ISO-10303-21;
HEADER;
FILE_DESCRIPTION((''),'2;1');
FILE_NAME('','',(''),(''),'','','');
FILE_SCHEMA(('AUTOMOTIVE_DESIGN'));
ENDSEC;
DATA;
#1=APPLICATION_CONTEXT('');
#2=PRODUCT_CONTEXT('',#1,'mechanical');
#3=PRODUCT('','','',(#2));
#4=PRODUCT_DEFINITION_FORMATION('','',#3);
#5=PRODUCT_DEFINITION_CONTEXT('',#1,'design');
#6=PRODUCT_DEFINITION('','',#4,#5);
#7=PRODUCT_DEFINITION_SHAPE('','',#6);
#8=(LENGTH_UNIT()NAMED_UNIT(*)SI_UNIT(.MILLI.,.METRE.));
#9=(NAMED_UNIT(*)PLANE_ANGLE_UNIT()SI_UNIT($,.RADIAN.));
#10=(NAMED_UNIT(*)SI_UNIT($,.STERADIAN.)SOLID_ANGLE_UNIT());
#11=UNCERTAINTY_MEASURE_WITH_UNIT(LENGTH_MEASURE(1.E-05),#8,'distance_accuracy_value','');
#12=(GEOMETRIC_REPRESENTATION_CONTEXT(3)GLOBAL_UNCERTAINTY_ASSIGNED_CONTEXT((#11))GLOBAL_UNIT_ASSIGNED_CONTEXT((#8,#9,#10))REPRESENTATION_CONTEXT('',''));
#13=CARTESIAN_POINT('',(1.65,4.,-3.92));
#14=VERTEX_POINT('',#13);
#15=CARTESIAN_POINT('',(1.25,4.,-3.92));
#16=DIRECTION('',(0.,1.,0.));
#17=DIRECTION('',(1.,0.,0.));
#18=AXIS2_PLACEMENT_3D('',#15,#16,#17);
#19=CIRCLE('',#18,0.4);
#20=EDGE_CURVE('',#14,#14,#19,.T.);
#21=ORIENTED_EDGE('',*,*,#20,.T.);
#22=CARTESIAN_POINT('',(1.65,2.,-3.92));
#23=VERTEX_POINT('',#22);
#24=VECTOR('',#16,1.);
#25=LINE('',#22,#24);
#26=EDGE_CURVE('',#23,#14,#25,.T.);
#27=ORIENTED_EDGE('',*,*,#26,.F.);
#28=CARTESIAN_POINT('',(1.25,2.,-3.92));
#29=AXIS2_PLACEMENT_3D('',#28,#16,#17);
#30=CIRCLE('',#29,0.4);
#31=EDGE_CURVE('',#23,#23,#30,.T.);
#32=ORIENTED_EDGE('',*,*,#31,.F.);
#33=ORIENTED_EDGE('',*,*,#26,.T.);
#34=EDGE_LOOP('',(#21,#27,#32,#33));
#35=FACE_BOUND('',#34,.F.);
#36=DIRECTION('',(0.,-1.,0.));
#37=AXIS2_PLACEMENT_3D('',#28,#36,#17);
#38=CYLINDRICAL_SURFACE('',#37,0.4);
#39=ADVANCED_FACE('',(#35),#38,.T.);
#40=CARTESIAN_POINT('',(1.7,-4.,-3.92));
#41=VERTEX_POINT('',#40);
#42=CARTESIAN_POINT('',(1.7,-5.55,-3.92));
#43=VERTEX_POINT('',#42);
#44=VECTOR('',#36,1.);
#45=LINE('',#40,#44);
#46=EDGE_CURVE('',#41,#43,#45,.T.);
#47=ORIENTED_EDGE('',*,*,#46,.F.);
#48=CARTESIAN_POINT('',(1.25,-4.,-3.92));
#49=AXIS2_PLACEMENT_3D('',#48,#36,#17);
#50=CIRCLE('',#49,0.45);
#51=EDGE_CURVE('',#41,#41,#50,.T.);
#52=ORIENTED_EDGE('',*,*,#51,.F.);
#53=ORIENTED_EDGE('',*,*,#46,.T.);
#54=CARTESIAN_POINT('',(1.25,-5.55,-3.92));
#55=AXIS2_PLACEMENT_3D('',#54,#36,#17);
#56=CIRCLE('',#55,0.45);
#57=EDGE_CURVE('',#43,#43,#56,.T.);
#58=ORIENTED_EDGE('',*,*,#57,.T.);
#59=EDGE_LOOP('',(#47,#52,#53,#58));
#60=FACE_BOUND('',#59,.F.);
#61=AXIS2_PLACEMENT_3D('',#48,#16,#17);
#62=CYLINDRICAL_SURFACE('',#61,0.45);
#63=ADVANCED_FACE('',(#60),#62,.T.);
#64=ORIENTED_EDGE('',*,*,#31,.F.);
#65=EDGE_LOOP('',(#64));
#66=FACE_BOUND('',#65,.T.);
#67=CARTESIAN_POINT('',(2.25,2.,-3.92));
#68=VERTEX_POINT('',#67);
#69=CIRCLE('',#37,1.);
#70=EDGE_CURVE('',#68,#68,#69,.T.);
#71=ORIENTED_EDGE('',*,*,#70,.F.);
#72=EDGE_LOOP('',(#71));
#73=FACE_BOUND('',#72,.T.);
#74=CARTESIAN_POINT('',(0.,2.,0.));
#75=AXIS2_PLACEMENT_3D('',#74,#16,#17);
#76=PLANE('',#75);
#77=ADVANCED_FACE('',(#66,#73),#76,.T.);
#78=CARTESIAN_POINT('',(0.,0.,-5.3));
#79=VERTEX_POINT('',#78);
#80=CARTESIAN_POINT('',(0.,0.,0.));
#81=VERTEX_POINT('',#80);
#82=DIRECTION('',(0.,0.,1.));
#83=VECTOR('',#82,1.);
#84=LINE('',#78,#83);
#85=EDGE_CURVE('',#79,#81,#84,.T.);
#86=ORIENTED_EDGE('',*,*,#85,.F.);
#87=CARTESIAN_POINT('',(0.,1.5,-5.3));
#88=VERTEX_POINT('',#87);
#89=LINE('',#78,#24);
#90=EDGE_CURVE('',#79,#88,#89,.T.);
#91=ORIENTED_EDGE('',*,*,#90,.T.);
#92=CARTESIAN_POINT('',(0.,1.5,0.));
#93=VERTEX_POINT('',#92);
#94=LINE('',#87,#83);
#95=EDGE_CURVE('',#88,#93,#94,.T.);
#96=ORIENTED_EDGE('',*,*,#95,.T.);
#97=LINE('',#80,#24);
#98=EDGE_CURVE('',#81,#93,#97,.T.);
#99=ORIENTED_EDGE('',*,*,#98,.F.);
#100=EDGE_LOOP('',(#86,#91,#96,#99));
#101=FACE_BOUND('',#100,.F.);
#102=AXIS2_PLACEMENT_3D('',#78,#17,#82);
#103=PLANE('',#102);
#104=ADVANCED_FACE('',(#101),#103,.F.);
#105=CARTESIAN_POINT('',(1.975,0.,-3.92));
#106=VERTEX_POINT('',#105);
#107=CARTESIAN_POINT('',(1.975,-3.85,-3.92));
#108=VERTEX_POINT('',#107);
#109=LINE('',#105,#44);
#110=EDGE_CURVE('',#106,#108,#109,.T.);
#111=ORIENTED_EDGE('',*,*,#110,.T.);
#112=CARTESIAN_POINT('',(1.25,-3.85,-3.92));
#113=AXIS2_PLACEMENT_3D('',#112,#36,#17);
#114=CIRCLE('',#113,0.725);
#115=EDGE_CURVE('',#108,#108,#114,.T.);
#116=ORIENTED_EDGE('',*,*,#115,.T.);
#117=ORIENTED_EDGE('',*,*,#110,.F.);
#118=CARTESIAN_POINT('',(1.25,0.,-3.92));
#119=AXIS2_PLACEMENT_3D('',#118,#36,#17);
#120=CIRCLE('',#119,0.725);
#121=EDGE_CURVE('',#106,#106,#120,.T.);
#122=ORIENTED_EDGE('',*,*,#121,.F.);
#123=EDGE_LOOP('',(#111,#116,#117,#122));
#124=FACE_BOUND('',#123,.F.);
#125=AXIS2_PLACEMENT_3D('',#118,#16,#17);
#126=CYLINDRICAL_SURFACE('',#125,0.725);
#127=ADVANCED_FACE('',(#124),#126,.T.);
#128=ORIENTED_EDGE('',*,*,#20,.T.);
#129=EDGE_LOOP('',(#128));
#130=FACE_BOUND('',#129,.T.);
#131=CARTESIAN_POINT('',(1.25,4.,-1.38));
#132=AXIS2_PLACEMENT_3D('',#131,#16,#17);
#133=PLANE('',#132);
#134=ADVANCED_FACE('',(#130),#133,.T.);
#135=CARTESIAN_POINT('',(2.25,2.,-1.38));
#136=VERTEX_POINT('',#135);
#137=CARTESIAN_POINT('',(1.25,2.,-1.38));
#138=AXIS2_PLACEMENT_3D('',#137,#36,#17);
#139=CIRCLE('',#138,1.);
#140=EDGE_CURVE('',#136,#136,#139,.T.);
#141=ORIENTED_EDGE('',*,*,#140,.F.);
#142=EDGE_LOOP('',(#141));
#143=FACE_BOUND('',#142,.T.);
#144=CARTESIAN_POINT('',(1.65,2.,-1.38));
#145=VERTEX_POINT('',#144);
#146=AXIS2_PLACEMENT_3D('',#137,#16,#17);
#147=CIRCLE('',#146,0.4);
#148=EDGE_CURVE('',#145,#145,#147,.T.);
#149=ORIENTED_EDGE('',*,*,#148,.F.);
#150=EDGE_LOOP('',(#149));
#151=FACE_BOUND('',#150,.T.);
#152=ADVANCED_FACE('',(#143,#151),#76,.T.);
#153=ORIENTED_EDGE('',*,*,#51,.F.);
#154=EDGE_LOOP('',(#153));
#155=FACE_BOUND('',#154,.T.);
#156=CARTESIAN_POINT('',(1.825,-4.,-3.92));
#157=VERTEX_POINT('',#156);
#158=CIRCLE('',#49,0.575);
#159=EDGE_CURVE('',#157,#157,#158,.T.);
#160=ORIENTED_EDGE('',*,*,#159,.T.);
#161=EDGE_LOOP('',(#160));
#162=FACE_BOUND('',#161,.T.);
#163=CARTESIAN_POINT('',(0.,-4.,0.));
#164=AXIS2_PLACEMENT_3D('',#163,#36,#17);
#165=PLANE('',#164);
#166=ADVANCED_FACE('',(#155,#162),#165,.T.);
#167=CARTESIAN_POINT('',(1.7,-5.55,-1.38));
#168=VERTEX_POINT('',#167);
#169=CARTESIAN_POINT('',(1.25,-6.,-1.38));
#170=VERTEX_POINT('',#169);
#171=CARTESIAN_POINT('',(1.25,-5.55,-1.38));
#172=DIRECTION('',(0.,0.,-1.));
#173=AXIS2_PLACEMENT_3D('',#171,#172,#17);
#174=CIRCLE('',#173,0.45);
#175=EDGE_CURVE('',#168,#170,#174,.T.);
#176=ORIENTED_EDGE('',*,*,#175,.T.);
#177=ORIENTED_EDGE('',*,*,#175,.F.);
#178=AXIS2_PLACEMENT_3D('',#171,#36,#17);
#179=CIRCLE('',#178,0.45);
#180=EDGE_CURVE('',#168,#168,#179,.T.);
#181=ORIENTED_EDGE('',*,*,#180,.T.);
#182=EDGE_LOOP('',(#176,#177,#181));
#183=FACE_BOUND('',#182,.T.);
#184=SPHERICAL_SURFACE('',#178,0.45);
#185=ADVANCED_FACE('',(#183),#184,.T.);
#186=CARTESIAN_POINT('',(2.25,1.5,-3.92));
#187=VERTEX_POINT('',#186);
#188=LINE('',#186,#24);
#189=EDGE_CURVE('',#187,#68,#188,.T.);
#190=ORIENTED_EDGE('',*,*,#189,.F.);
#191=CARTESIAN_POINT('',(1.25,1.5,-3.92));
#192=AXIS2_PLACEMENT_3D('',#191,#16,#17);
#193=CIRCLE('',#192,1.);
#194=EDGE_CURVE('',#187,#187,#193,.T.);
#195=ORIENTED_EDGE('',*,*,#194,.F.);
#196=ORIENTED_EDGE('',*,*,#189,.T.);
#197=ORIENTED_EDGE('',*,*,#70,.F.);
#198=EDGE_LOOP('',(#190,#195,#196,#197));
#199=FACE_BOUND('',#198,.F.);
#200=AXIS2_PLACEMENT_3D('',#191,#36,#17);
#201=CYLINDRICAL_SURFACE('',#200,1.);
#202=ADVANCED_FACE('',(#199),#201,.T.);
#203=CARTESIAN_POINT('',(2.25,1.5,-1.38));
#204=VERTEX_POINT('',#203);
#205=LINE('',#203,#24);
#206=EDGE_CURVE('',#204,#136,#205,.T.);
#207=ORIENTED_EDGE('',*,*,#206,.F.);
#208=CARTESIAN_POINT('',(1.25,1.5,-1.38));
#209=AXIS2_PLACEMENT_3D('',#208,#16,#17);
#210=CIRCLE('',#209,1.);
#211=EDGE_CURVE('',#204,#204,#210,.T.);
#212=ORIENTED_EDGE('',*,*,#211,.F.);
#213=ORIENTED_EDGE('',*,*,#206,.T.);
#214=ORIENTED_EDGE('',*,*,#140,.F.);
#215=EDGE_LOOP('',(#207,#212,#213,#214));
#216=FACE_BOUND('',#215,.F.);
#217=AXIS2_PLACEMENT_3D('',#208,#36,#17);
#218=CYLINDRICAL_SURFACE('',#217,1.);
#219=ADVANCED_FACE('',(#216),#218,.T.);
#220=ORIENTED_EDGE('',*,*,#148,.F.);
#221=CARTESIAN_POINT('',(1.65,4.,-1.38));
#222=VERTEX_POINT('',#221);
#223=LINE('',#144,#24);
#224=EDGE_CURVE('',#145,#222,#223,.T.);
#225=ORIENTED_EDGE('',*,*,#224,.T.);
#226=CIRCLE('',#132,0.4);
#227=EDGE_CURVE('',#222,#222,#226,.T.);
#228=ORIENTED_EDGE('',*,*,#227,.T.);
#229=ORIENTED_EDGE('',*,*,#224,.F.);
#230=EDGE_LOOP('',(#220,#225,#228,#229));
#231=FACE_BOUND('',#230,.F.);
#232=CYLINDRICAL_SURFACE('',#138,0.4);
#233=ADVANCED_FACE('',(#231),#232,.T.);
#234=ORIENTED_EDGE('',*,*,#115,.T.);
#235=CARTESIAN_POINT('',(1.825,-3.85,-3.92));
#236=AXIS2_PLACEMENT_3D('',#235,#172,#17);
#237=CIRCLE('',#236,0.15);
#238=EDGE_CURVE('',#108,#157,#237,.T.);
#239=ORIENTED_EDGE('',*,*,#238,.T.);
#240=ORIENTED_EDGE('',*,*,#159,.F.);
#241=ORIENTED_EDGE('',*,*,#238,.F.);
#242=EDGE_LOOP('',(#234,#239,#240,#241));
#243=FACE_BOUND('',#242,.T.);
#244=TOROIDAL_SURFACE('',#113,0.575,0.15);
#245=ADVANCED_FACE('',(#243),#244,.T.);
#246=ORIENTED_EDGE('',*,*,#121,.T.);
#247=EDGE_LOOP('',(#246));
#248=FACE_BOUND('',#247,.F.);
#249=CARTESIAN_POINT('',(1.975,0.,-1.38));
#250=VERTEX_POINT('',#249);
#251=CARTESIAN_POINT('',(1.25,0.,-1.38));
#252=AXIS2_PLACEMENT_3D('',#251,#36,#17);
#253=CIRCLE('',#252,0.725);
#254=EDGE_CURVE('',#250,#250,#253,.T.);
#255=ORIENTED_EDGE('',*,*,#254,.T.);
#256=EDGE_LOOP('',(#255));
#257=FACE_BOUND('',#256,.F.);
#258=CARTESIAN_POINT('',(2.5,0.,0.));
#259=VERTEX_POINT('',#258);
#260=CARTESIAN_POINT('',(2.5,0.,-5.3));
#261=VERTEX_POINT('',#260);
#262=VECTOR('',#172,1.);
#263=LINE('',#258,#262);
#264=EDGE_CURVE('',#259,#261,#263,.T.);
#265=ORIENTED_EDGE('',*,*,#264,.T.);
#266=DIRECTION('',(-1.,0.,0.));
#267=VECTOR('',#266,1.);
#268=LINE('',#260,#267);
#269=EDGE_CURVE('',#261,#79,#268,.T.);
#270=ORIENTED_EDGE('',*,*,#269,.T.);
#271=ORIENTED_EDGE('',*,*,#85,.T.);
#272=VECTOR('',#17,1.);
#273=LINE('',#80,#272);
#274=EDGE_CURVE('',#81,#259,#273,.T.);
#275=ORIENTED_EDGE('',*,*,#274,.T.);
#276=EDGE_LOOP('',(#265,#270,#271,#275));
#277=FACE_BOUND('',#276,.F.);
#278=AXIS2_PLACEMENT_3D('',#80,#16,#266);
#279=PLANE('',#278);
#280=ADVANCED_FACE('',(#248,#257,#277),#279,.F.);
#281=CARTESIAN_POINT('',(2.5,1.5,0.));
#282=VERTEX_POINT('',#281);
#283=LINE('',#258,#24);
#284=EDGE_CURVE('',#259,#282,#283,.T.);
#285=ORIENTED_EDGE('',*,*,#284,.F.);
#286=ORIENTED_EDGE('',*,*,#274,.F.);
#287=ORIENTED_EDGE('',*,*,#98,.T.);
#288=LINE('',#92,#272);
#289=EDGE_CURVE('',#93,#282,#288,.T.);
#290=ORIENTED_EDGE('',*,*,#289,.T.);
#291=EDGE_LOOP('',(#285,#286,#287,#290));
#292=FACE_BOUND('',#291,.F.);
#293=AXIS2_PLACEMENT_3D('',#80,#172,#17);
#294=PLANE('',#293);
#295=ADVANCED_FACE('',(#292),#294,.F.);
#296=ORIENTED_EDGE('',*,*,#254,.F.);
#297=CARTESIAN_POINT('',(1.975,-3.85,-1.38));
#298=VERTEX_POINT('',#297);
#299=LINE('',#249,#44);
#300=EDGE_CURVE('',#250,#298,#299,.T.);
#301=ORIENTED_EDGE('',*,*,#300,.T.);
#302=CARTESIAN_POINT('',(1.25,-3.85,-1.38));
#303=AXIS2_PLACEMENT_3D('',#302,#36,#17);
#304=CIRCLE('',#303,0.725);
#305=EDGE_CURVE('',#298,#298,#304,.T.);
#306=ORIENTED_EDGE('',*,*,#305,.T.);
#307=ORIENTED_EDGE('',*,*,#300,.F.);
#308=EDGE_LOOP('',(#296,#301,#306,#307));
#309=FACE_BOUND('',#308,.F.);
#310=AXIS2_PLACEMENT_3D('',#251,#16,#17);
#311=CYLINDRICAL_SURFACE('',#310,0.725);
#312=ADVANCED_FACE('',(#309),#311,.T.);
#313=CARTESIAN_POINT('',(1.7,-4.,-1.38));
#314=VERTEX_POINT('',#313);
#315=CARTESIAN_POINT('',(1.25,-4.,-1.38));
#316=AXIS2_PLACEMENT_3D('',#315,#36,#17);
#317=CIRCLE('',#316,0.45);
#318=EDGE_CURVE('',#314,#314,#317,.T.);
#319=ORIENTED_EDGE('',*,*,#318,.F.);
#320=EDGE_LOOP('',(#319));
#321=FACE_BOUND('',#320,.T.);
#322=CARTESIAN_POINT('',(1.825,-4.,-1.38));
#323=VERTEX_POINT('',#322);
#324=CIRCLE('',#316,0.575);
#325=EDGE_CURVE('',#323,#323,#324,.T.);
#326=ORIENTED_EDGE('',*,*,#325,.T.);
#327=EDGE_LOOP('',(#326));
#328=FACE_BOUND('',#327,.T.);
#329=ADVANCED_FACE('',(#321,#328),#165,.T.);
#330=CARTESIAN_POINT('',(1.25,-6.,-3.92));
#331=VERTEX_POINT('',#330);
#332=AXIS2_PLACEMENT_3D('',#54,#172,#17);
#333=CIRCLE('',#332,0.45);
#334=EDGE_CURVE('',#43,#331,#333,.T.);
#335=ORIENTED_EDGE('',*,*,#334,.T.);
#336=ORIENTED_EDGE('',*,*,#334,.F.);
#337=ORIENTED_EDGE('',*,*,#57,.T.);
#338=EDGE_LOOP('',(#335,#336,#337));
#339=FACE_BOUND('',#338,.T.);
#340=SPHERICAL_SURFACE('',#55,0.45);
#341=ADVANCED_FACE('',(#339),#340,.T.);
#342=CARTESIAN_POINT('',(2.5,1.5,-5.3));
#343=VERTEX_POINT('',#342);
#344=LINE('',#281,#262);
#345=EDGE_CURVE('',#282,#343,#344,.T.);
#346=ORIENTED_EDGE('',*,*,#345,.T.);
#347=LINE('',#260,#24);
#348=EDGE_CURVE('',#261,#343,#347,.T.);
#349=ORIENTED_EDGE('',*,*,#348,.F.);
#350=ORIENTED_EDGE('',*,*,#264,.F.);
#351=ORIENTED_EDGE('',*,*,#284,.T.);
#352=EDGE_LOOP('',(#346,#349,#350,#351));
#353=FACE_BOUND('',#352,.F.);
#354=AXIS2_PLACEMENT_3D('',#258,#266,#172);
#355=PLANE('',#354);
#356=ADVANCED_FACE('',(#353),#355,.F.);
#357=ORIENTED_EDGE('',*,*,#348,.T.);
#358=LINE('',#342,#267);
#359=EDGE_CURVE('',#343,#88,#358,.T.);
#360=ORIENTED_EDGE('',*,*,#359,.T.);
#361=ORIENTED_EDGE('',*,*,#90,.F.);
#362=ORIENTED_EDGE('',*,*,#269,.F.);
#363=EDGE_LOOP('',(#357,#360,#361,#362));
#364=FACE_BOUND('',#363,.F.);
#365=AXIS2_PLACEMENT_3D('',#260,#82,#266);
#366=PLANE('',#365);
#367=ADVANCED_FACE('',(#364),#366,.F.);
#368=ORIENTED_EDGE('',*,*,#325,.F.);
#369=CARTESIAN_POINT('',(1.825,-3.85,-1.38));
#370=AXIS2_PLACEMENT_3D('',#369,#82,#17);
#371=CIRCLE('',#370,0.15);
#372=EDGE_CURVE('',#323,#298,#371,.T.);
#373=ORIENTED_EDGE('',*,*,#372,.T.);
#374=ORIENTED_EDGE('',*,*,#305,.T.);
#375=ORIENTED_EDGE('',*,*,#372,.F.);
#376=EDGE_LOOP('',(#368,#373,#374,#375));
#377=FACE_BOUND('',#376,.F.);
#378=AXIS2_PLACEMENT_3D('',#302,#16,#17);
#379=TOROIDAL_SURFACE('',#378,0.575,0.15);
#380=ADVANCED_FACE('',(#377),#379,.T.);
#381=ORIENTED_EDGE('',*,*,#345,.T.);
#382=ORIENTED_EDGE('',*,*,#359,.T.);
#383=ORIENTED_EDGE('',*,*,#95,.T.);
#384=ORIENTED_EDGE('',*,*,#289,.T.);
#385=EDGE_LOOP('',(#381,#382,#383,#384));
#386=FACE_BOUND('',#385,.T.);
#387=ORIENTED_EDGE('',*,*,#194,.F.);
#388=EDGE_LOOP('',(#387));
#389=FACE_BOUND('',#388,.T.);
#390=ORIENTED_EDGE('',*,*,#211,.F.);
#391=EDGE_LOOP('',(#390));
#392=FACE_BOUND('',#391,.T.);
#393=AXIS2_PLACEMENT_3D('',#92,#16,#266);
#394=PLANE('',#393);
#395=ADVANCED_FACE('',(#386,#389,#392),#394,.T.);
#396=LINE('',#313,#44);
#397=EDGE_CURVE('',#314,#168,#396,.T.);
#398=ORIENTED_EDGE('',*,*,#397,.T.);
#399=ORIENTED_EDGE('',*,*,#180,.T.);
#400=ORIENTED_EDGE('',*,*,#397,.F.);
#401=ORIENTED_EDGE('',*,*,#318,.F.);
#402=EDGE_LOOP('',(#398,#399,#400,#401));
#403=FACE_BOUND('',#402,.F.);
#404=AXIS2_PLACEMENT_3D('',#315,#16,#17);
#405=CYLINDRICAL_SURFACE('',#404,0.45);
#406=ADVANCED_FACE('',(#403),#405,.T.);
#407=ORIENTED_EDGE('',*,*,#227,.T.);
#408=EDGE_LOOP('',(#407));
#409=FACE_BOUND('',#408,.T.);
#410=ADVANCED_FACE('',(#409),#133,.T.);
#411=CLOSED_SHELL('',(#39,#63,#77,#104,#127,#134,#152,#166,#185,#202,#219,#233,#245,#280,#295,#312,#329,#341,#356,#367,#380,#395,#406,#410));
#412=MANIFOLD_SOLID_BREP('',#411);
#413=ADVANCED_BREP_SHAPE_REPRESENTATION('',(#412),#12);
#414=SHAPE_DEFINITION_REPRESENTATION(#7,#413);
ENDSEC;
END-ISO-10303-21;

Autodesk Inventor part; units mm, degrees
ref_plane "YZ Plane" through (0, 0, 0) normal (1, 0, 0) x (0, 1, 0)
ref_plane "XZ Plane" through (0, 0, 0) normal (0, 1, 0) x (-1, 0, 0)
ref_plane "XY Plane" through (0, 0, 0) normal (0, 0, 1) x (1, 0, 0)
sketch "草图1" plane through (0, 0, 0) normal (0, 1, 0) x (-1, 0, 0)
  point P0 (0, 0)
sketch "草图2" plane through (0, 0, 0) normal (0, 1, 0) x (-1, 0, 0)
  line L0 (0, 0) -> (-2.5, 0)
  line L1 (-2.5, 0) -> (-2.5, -5.3)
  line L2 (-2.5, -5.3) -> (0, -5.3)
  line L3 (0, -5.3) -> (0, 0)
  dimension "d0" = 2.5
  dimension "d1" = 5.3
extrude "拉伸1" add sketch "草图2" along normal blind 1.5
sketch "草图3" plane through (0, 1.5, 0) normal (0, 1, 0) x (1, 0, 0)
  line L0 (2.5, 5.3) -> (0, 5.3) projected
  line L1 (1.25, 5.3) -> (1.25, 0)
  line L2 (0, 5.3) -> (0, 0) projected
  line L3 (1.25, 2.65) -> (1.25, 3.92)
  line L4 (1.25, 3.92) -> (1.25, 1.38)
  circle A0 centre (1.25, 3.92) radius 1
  circle A1 centre (1.25, 1.38) radius 1
  dimension "d4" = 1.27
  dimension "d5" = 2.54
  dimension "d6" = 2
  dimension "d7" = 2
extrude "拉伸2" add sketch "草图3" along normal blind 0.5
sketch "草图4" plane through (1.25, 2, -1.38) normal (0, 1, 0) x (1, 0, 0)
  circle A0 centre (0, 0) radius 0.4
  circle A1 centre (0, 2.54) radius 1 projected
  circle A2 centre (0, 2.54) radius 0.4
  point P0 (-1.25, -1.38)
  dimension "d10" = 0.8
  dimension "d11" = 0.8
extrude "拉伸3" add sketch "草图4" along normal blind 2 contours A0 | A2
sketch "草图5" plane through (0, 0, 0) normal (0, -1, 0) x (1, 0, 0)
  circle A0 centre (1.25, -3.92) radius 0.4 projected
  circle A1 centre (1.25, -3.92) radius 0.725
  circle A2 centre (1.25, -1.38) radius 0.4 projected
  circle A3 centre (1.25, -1.38) radius 0.725
  point P0 (0, 0)
  dimension "d14" = 1.45
  dimension "d15" = 1.45
extrude "拉伸4" add sketch "草图5" along normal blind 4 contours A0 | A1 | A2 | A3
sketch "草图6" plane through (1.25, -4, -1.38) normal (0, -1, 0) x (1, 0, 0)
  circle A0 centre (0, 0) radius 0.45
  circle A1 centre (0, -2.54) radius 0.725 projected
  circle A2 centre (0, -2.54) radius 0.45
  point P0 (-1.25, 1.38)
  dimension "d18" = 0.9
  dimension "d19" = 0.9
extrude "拉伸5" add sketch "草图6" along normal blind 2 contours A0 | A2
fillet "圆角1" radius 0.45 1 edges at (0.8, -6, -3.92)
fillet "圆角2" radius 0.45 1 edges at (0.8, -6, -1.38)
fillet "圆角3" radius 0.15 2 edges at (0.525, -4, -3.92) (0.525, -4, -1.38)
properties part number "Pogo_Pin" material "铜"
